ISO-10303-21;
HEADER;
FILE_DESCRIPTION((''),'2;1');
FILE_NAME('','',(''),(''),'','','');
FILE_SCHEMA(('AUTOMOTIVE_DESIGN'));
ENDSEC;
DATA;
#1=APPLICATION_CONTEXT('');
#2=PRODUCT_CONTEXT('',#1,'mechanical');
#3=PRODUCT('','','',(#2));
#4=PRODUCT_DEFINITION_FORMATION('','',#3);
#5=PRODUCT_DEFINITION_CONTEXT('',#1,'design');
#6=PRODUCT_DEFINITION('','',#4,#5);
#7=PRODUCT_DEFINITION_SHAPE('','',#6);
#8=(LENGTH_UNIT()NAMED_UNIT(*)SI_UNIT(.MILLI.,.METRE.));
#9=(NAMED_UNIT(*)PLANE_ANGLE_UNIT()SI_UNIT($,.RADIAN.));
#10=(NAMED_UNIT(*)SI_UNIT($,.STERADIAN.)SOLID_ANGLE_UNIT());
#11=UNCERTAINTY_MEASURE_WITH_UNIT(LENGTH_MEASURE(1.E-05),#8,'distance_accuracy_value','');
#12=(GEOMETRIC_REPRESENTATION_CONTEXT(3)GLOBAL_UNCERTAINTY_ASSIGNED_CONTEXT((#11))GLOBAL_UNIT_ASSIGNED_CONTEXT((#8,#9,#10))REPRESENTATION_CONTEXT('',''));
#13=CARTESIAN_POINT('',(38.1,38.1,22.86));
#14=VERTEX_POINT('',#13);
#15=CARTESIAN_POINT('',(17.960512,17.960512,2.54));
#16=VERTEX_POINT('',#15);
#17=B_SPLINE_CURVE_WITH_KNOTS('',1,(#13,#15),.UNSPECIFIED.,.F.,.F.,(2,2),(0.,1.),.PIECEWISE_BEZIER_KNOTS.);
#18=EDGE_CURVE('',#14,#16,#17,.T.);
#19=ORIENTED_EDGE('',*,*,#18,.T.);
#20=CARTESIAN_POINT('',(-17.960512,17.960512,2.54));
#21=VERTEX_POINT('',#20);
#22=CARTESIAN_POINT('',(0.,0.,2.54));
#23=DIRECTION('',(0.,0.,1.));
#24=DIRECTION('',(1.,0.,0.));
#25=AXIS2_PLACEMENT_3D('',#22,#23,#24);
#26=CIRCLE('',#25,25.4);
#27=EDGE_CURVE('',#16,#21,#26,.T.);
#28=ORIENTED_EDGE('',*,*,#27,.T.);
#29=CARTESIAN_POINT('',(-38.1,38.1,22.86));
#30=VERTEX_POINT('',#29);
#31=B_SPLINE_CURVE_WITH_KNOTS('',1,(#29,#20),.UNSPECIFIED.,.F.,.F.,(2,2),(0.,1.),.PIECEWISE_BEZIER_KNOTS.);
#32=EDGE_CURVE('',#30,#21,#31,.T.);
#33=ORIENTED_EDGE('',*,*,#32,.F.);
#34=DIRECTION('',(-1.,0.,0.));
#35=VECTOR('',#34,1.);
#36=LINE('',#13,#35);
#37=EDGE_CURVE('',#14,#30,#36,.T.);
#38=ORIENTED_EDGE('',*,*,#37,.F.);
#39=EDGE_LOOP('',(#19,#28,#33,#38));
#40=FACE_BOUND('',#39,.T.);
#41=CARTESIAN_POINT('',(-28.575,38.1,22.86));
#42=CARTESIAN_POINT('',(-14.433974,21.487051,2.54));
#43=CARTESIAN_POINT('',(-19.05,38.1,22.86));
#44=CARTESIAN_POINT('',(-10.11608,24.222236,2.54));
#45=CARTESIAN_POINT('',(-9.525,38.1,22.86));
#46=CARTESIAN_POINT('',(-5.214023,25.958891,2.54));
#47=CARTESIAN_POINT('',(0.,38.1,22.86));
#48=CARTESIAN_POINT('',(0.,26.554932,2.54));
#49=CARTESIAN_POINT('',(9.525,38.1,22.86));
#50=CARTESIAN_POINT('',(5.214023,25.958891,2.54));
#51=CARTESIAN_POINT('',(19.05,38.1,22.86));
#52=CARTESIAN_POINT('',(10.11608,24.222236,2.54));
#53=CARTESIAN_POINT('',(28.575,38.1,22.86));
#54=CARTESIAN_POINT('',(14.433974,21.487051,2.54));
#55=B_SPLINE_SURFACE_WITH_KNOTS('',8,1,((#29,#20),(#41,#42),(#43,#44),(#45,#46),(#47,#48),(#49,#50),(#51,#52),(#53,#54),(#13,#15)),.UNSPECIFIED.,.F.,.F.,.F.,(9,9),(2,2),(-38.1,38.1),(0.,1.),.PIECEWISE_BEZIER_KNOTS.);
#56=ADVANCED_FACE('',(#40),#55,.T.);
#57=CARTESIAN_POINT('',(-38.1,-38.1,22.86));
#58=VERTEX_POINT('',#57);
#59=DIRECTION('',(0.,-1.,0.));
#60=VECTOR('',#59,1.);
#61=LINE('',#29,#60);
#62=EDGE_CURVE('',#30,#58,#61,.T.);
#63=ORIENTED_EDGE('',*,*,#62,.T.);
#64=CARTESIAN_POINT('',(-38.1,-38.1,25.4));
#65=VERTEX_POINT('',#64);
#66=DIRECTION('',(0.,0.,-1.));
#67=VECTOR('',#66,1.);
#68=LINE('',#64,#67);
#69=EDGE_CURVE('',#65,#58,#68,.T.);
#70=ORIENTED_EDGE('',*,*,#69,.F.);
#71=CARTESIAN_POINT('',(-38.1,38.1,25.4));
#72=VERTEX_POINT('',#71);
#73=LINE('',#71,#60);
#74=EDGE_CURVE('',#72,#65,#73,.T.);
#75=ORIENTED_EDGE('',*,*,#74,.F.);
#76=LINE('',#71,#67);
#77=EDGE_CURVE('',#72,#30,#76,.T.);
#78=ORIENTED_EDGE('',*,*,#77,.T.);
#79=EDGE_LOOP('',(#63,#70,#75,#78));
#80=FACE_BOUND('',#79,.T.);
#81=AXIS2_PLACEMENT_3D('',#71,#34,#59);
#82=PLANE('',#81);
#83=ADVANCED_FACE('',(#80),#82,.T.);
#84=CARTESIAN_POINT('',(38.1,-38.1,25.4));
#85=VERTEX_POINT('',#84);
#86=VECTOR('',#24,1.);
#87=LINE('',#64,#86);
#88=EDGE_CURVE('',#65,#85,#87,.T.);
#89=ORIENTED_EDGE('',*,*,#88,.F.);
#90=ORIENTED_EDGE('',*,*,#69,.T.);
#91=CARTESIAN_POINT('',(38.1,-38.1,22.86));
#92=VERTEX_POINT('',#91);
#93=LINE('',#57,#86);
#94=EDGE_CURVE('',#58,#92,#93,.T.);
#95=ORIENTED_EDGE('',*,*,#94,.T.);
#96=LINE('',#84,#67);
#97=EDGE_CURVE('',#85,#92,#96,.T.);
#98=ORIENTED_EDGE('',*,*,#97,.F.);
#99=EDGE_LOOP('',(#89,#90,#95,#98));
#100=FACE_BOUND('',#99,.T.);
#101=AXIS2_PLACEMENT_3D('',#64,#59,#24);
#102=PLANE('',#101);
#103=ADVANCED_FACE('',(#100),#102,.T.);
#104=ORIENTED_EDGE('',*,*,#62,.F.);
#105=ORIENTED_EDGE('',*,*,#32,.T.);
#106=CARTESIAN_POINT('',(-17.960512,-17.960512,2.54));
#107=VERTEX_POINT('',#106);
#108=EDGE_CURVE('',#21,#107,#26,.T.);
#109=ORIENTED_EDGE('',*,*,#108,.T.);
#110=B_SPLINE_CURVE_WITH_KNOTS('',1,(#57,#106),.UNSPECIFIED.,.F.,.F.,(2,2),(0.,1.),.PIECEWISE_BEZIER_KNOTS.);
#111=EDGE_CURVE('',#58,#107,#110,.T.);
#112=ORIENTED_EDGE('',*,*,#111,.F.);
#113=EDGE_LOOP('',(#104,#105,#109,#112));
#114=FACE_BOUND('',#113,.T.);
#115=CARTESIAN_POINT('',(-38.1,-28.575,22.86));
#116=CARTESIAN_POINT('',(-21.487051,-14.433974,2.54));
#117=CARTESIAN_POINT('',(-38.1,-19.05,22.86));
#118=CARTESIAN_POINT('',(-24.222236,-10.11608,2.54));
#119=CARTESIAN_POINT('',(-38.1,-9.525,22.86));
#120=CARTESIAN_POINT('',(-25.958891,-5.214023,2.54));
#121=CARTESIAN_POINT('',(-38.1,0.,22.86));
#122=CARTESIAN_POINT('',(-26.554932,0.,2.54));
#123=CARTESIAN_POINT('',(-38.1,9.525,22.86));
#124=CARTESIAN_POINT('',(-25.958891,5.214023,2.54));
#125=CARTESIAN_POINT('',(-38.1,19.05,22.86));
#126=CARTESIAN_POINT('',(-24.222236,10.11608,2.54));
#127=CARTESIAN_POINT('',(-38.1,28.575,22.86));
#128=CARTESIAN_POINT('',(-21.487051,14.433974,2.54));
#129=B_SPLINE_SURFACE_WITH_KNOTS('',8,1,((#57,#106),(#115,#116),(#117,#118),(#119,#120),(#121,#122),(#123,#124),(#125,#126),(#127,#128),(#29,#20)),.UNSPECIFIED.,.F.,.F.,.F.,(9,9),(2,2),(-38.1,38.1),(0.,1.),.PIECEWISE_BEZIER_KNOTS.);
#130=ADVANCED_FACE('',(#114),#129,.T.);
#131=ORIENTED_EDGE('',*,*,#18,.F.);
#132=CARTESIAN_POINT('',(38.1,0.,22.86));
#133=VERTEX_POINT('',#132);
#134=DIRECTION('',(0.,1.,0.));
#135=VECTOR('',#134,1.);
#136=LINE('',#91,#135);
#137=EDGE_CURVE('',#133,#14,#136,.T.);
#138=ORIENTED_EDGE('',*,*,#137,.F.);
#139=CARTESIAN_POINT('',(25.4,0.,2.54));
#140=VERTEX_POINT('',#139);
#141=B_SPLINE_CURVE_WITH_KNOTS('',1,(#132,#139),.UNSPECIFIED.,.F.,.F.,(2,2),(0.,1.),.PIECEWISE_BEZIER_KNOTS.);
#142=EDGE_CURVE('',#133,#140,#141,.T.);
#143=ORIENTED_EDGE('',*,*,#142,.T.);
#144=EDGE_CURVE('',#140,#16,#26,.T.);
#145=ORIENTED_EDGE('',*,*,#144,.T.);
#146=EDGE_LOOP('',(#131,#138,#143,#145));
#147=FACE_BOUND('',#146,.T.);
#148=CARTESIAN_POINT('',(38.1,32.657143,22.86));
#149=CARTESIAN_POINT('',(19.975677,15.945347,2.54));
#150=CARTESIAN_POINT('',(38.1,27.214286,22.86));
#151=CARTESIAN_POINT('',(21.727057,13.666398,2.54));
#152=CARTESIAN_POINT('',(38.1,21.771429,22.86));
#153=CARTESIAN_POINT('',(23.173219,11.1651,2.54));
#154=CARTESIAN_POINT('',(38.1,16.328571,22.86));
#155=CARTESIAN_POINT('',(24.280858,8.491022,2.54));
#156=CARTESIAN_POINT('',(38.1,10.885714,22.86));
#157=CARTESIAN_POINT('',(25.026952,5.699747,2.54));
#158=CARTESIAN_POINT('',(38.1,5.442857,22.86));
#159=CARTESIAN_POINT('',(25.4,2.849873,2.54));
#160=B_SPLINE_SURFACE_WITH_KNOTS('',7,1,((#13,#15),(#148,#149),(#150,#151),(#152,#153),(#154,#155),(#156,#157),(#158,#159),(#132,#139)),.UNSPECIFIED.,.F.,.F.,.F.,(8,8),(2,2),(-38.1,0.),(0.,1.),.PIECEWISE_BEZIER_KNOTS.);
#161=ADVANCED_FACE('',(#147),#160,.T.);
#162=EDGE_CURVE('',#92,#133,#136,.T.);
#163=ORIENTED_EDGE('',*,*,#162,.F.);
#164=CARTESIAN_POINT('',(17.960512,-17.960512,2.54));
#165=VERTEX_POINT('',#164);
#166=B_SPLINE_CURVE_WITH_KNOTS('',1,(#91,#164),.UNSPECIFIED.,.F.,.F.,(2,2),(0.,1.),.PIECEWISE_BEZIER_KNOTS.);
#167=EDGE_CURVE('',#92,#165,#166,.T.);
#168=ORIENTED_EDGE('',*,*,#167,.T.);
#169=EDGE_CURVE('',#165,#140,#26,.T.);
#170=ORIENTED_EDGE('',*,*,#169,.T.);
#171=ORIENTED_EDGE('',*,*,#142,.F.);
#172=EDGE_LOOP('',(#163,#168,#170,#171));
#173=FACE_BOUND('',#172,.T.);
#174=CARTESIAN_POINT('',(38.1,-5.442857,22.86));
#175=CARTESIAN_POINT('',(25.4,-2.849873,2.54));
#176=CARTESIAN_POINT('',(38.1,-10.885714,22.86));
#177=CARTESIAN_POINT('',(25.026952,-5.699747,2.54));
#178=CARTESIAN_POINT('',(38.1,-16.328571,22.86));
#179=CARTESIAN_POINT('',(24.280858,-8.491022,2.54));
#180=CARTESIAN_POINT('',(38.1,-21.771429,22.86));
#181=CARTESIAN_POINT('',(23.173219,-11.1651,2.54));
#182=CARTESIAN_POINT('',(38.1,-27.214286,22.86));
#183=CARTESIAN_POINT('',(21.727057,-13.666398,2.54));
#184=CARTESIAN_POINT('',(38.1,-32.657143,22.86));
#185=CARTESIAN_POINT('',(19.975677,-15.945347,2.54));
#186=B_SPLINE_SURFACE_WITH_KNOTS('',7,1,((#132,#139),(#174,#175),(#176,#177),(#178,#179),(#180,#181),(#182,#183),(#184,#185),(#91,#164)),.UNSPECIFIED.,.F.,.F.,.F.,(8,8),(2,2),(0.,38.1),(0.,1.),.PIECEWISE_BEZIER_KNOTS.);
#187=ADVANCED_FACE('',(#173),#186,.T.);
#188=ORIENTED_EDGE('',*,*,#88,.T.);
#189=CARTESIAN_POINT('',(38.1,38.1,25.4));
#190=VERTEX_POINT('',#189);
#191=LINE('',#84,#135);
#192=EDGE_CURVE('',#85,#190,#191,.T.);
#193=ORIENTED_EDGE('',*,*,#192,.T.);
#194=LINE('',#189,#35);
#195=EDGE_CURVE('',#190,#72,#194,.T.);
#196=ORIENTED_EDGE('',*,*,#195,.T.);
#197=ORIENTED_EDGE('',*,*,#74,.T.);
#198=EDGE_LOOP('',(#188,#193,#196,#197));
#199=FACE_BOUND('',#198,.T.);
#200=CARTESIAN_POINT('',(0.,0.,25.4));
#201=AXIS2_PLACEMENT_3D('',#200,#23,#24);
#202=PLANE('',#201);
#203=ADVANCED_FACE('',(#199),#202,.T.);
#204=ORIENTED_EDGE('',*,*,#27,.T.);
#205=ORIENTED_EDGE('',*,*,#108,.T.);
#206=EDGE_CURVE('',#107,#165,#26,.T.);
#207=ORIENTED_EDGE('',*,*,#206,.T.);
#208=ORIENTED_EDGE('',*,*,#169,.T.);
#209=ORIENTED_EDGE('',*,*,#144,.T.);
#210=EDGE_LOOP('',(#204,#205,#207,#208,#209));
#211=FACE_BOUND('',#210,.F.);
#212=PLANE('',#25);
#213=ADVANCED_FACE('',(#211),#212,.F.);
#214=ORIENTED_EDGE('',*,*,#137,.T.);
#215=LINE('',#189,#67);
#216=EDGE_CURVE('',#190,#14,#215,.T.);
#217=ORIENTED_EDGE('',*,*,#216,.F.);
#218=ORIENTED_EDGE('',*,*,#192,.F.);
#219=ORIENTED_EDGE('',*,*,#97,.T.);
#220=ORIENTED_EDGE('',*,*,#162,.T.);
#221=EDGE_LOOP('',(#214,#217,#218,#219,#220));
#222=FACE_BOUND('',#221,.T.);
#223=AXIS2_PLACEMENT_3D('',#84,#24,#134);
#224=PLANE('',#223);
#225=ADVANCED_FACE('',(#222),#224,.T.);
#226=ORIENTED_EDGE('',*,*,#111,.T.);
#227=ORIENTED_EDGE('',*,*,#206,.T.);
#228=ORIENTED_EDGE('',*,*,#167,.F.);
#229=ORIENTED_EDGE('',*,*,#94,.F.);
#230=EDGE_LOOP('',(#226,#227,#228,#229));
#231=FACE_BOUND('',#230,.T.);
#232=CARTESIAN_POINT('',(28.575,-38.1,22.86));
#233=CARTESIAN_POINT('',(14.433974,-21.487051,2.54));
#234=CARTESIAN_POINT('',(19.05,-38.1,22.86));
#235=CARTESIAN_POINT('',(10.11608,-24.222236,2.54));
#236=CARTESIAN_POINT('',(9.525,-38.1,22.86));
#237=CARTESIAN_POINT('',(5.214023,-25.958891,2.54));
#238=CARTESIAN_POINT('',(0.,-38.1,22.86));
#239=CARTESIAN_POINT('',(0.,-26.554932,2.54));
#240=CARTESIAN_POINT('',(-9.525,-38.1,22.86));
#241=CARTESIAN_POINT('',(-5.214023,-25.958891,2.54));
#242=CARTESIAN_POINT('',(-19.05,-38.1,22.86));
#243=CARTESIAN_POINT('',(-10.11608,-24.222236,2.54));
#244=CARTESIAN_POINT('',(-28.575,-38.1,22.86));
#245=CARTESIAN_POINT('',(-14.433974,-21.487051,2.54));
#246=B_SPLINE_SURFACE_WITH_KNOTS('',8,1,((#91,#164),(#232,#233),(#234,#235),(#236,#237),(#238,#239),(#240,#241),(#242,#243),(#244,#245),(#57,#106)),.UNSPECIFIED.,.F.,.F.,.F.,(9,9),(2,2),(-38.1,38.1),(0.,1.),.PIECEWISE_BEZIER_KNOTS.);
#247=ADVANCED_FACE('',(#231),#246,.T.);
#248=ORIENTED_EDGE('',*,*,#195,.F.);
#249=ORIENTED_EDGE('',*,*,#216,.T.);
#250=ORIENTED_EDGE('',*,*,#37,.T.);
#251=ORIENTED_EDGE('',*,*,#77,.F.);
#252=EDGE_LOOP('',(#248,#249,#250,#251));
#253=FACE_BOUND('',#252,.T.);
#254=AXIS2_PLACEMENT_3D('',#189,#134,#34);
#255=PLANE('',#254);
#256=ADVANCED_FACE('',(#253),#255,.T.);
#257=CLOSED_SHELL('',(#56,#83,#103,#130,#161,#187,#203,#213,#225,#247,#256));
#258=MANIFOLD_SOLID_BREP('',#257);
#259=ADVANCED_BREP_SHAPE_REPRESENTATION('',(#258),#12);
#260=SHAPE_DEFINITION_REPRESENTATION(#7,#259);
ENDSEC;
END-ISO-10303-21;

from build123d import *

# Parameters (mm, degrees)
F0_R      = 25.4
F3_DEPTH  = 2.54
F4_DEPTH  = 2.54
F4_FACE_W = 76.2
F4_FACE_H = 76.2
F3_FACE_R = 25.4
F6_DEPTH  = 2.54


with BuildPart() as f3:
    # F0 (on Top) → F3 (new body)
    with BuildSketch(Plane.XY):
        Circle(F0_R)
    extrude(amount=F3_DEPTH)



with BuildPart() as f4:
    # F2 (on offset) → F4 (new body)
    with BuildSketch(Plane.XY.offset(25.4)):
        Polygon((38.1, -38.1), (38.1, 0), (38.1, 38.1), (-38.1, 38.1), (-38.1, -38.1), align=None)
    extrude(amount=-F4_DEPTH)


with BuildPart() as f3_1:
    add(f3.part)

    add(f4.part)  # F5 merges F4
    # F4_face (on face) → F5 section 0
    with BuildSketch(Plane(origin=(0, 0, 22.86), x_dir=(1, 0, 0), z_dir=(0, 0, -1))):
        Rectangle(F4_FACE_W, F4_FACE_H)
    # F3_face (on face) → F5 section 1
    with BuildSketch(Plane.XY.offset(2.54)):
        Circle(F3_FACE_R)
    loft()

    # F6 (cut): a face of the model
    f6_faces = [f3_1.faces().sort_by_distance(p)[0] for p in [
        (0, 0, 0),
    ]]
    extrude(f6_faces, amount=-F6_DEPTH, mode=Mode.SUBTRACT)


solid = f3_1.part
